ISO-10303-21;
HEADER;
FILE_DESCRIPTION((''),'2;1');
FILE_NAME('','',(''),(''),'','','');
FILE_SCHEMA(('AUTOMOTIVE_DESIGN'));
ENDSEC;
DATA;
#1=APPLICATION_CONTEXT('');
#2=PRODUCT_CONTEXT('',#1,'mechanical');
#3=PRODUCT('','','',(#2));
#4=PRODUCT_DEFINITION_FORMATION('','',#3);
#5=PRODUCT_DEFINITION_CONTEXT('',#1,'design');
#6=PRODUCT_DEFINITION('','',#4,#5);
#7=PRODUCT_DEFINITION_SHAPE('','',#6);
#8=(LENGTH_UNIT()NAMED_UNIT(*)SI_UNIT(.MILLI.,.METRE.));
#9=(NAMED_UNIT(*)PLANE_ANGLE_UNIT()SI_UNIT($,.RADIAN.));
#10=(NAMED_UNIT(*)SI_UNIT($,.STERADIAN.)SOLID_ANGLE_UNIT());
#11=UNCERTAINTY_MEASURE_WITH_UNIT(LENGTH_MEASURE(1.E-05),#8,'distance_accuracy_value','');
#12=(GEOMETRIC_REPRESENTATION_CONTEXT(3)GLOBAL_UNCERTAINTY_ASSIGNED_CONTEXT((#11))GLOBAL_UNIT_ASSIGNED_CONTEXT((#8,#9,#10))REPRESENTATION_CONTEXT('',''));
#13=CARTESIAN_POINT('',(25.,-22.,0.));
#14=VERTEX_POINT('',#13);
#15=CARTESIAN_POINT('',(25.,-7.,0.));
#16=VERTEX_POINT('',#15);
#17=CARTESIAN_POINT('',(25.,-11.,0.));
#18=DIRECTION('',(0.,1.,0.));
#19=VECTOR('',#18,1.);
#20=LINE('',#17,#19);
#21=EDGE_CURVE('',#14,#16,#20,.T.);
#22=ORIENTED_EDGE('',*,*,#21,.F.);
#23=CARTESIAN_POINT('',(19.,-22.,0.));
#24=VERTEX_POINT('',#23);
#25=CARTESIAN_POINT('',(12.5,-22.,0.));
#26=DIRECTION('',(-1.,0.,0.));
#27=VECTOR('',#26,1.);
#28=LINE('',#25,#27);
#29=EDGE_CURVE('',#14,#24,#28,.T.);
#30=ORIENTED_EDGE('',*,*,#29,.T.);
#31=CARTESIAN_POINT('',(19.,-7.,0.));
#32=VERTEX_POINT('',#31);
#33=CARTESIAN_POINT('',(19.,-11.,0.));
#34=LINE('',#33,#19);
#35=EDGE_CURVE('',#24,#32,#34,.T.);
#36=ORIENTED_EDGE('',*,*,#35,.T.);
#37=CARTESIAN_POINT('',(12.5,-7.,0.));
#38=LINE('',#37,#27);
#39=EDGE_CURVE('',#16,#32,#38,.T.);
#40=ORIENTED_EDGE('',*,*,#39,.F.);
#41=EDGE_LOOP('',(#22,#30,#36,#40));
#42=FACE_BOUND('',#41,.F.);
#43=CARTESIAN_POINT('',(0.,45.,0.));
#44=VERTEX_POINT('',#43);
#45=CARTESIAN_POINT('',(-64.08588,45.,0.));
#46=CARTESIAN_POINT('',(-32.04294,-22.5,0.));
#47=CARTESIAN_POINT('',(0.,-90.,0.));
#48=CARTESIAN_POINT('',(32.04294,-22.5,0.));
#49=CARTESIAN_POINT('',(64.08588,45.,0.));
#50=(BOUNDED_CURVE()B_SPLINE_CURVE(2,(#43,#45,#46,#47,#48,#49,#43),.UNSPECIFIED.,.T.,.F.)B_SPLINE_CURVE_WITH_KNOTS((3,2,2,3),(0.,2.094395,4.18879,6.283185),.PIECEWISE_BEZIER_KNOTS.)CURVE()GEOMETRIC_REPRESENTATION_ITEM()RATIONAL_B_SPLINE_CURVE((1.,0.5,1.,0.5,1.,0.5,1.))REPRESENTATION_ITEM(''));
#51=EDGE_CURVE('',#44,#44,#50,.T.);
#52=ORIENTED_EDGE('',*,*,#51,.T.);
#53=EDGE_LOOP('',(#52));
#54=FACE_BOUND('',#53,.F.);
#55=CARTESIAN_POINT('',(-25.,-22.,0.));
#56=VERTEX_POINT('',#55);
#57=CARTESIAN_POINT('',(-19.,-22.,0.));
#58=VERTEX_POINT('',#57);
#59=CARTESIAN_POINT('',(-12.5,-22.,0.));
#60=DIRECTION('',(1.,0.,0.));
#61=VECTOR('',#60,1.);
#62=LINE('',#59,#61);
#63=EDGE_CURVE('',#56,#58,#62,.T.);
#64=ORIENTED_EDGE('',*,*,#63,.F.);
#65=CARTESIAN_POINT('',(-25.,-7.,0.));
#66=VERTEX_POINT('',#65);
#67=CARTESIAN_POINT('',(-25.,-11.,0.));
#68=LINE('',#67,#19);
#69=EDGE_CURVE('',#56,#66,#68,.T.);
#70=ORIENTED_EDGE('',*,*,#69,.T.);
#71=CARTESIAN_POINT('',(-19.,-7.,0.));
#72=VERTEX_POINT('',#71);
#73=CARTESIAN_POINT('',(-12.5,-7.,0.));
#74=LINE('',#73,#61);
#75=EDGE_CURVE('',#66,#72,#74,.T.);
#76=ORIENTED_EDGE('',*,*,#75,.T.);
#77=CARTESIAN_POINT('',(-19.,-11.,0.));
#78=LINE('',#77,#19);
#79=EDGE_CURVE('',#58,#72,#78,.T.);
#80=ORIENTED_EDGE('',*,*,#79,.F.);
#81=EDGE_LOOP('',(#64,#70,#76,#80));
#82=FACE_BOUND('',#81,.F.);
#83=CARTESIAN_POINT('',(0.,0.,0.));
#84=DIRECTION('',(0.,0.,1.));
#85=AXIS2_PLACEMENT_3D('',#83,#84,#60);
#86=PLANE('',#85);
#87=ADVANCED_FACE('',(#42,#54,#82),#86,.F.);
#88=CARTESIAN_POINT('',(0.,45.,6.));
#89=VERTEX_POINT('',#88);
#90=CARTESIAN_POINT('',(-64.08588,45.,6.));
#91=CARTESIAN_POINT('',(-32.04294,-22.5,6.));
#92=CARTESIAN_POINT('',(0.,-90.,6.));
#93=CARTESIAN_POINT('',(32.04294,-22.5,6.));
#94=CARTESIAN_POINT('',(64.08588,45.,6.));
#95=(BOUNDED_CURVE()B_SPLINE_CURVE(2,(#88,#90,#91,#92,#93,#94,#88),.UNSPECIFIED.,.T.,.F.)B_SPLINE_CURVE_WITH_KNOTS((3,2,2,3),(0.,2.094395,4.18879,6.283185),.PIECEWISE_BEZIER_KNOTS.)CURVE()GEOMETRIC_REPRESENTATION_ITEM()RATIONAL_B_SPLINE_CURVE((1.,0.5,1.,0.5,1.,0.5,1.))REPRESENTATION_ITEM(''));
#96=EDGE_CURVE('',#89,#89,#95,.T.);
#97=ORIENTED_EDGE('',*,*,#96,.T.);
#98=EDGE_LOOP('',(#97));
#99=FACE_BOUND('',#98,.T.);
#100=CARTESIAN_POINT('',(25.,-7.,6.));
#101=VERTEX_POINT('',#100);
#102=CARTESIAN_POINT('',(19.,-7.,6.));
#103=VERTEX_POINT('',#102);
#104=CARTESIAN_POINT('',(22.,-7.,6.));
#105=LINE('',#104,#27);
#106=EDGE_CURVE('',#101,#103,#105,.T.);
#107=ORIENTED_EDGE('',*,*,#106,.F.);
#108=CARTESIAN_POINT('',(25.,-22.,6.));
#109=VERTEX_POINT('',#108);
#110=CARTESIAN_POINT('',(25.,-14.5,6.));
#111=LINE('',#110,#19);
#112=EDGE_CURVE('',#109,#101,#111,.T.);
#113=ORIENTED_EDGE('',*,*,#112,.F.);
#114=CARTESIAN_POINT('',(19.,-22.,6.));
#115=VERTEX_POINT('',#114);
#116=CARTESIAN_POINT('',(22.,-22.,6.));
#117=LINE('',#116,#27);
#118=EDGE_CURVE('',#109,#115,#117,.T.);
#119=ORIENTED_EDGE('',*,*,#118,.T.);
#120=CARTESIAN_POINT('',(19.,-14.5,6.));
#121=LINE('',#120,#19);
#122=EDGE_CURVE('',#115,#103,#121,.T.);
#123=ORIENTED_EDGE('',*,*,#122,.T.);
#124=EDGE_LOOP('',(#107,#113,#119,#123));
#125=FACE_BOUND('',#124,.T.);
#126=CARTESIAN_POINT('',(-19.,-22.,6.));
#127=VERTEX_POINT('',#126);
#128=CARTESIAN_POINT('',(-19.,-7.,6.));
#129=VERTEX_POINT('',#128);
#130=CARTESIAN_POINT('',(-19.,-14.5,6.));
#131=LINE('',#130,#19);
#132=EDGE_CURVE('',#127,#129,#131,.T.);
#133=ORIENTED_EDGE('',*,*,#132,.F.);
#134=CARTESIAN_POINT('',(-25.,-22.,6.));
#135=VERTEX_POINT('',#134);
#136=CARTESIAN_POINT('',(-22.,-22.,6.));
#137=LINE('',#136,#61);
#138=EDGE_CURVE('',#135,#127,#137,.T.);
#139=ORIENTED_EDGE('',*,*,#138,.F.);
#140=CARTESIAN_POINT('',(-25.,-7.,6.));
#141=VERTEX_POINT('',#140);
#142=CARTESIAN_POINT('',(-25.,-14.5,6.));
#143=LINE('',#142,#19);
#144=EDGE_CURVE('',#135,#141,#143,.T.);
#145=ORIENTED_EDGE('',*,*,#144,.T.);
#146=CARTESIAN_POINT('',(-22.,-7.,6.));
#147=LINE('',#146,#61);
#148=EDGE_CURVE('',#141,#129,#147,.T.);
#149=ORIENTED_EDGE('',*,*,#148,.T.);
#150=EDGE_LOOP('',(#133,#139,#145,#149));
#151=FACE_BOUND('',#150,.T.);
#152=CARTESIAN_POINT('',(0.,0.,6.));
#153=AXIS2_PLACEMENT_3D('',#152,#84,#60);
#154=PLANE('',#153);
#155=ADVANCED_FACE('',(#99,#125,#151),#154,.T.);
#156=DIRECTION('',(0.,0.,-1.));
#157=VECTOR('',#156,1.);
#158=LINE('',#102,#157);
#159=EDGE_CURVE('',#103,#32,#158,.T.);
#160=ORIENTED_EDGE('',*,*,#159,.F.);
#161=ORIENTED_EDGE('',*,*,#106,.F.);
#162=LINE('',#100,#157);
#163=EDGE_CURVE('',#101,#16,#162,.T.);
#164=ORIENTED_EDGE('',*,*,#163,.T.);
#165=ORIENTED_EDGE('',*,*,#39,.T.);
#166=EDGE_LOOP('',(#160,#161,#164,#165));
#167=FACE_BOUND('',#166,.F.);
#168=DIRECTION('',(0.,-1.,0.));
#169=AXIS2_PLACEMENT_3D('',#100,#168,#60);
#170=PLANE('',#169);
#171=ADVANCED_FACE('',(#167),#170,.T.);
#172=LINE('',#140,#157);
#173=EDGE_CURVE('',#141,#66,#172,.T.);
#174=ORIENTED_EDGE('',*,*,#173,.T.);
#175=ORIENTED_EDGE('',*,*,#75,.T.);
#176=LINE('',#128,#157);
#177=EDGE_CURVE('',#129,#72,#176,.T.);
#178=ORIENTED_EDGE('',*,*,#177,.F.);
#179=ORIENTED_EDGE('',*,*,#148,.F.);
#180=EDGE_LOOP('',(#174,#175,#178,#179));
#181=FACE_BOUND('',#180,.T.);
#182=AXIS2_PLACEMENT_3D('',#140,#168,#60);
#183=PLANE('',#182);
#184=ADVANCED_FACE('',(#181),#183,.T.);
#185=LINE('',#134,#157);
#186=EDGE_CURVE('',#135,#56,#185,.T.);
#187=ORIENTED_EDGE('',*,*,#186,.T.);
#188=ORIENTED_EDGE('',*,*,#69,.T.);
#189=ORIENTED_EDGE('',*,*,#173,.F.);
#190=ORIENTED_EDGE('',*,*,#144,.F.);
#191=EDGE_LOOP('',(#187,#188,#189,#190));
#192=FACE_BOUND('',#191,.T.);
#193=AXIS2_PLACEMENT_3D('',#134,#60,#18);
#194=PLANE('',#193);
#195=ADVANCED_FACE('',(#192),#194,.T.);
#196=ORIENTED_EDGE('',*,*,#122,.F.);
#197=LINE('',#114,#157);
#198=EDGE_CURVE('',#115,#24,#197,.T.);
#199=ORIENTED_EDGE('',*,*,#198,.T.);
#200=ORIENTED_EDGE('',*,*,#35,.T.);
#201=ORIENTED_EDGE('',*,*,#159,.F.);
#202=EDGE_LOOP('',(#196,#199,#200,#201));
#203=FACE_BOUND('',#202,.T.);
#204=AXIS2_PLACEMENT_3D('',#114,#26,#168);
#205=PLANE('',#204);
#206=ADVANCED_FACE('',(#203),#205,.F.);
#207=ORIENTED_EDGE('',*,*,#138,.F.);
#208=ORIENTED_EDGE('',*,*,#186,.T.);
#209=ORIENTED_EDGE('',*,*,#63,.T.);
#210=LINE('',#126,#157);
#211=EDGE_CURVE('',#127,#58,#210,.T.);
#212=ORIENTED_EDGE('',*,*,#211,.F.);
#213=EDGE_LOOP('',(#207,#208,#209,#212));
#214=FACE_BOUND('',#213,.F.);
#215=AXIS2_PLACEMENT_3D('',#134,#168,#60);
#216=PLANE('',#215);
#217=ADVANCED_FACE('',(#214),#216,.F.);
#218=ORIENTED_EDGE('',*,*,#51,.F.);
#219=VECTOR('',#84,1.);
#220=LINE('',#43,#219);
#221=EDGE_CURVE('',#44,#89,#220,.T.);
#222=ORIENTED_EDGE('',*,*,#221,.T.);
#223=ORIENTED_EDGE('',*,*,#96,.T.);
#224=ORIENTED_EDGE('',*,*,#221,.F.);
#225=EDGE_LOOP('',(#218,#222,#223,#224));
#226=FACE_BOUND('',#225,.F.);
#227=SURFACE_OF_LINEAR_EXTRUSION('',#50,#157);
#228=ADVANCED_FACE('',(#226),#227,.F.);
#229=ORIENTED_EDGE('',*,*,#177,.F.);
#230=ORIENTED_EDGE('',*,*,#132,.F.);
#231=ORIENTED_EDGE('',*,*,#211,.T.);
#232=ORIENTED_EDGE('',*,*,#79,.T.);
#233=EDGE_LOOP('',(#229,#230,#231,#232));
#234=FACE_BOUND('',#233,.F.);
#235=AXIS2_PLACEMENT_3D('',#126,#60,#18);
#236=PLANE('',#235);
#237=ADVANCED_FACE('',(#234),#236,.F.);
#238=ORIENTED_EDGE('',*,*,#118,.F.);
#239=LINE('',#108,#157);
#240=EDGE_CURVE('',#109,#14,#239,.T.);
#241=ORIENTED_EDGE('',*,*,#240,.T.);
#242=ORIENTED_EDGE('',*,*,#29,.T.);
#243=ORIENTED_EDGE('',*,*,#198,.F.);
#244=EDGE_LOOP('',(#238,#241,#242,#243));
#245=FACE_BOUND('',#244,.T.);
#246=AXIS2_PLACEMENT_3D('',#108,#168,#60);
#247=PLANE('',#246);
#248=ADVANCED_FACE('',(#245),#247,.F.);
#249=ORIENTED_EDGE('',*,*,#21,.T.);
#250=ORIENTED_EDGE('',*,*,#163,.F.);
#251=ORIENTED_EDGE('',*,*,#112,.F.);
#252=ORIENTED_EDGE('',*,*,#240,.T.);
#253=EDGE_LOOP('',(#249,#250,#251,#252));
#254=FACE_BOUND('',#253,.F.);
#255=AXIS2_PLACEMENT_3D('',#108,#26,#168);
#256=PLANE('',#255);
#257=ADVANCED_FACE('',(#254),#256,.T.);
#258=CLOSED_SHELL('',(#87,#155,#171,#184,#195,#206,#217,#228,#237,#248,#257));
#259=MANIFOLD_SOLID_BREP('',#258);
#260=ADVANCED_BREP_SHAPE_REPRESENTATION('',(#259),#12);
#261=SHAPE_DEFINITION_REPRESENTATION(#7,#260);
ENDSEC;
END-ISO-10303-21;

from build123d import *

# Parameters (mm, degrees)
PAD_DEPTH    = 6
SKETCH001_W  = 6
SKETCH001_H  = 15
POCKET_DEPTH = 239.341952


with BuildPart() as part:
    # Sketch → Pad (new body)
    with BuildSketch(Plane.XY):
        with BuildLine():
            add(Edge.make_bspline(
                [(0, 45), (-64.08588, 45), (-32.04294, -22.5), (0, -90), (32.04294, -22.5), (64.08588, 45), (0, 45)],
                knots=[0, 0, 0, 2.094395, 2.094395, 4.18879, 4.18879, 6.283185, 6.283185, 6.283185], degree=2, weights=[1, 0.5, 1, 0.5, 1, 0.5, 1]))
        make_face()
    extrude(amount=PAD_DEPTH)

    # Sketch001 (on Face3 of Pad) → Pocket (cut, through all)
    with BuildSketch(Plane.XY.offset(6)):
        with Locations((-22, -14.5)):
            Rectangle(SKETCH001_W, SKETCH001_H)
    pocket = extrude(amount=-POCKET_DEPTH, mode=Mode.SUBTRACT)

    # Mirrored: Pocket across Sketch001 V_Axis
    add(pocket.mirror(Plane(origin=(0, 0, 6), x_dir=(0, 0, 1), z_dir=(1, 0, 0))), mode=Mode.SUBTRACT)


solid = part.part
